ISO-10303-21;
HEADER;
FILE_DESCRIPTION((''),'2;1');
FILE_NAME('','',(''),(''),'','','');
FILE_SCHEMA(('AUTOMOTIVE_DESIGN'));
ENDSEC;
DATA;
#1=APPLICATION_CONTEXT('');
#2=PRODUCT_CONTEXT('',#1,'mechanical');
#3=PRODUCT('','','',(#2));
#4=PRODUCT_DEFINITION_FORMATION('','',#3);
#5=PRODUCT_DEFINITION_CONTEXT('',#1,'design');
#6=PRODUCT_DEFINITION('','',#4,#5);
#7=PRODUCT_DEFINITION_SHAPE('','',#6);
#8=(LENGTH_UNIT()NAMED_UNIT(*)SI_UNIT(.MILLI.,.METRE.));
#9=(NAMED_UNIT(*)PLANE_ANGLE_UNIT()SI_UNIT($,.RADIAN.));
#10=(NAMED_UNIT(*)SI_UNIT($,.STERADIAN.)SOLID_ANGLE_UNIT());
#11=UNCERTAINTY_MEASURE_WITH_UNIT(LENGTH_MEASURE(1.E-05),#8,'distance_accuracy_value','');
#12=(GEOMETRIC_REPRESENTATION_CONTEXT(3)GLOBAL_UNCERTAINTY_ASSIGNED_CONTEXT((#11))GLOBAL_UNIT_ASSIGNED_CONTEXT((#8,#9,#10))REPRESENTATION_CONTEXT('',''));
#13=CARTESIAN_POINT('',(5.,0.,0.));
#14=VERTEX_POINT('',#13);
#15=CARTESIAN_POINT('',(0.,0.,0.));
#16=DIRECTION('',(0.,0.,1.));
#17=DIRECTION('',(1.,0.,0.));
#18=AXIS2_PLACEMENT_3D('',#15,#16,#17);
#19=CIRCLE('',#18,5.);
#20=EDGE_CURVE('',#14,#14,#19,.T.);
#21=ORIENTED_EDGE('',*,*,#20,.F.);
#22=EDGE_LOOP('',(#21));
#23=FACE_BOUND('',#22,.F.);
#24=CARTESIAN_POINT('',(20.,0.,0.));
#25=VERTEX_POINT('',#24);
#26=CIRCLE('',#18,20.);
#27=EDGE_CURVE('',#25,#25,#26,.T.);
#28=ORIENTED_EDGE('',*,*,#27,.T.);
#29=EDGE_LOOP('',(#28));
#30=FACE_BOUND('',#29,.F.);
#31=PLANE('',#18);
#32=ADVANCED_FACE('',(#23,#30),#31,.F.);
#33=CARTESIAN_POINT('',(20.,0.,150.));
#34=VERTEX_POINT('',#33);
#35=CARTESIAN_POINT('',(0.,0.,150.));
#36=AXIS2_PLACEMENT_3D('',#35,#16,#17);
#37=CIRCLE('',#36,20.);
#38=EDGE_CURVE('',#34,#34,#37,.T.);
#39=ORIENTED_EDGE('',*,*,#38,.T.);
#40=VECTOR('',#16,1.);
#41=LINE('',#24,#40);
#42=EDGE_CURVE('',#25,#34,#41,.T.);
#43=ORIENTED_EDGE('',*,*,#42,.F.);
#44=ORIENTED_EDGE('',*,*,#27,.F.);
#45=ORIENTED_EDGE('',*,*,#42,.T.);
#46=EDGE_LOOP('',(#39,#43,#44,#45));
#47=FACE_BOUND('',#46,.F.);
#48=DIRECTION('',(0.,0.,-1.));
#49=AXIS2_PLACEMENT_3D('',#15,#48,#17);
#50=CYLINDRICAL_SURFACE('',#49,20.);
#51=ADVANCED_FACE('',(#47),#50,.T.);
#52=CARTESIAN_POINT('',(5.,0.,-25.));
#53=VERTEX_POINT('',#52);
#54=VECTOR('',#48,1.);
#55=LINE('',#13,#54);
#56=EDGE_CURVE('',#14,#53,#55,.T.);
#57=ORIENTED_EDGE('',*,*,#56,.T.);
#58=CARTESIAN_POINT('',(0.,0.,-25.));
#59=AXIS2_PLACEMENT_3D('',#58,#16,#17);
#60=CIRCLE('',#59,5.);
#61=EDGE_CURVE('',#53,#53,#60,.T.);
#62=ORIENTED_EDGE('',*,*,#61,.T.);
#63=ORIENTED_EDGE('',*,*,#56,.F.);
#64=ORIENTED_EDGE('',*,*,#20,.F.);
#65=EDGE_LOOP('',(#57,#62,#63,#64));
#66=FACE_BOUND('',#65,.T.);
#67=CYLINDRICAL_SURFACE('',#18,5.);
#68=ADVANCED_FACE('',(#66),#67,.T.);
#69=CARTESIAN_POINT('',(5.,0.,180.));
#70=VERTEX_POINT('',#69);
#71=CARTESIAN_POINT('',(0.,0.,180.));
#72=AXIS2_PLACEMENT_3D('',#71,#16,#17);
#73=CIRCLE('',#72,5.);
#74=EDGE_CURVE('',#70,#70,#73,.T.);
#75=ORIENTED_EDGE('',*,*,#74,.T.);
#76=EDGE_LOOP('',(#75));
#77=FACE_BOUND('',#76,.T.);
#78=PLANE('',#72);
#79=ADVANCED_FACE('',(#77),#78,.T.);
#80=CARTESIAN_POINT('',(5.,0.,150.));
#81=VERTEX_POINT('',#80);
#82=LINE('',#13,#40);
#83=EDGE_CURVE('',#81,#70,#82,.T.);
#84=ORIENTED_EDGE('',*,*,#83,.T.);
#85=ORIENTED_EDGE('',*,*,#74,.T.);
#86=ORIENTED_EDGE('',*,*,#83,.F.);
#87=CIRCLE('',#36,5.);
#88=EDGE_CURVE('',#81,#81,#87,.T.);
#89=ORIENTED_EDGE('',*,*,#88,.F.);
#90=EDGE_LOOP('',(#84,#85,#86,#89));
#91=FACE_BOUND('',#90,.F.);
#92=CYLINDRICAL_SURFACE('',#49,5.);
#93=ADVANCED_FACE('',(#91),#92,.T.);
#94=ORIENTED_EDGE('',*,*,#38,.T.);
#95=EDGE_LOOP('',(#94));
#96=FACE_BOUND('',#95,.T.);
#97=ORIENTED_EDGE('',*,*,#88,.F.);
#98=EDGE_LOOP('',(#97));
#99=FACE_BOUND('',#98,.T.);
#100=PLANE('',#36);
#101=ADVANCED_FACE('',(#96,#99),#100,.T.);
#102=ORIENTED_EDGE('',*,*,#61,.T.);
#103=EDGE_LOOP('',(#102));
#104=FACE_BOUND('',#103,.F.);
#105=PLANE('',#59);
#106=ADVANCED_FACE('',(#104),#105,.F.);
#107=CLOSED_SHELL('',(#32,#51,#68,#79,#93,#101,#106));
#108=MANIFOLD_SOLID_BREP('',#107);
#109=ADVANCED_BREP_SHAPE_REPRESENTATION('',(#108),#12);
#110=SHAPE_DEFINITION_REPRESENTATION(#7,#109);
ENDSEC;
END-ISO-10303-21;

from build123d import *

# Parameters (mm, degrees)
F0_R          = 20
F0_R_2        = 5
F1_DEPTH      = 150
F2_DEPTH      = 180
F2_DEPTH_BACK = 25


with BuildPart() as f1:
    # F0 (on Top) → F1 (new body)
    with BuildSketch(Plane.XY):
        Circle(F0_R)
        Circle(F0_R_2, mode=Mode.SUBTRACT)
    extrude(amount=F1_DEPTH)

    # F0 (on Top) → F2 (join, two sides)
    with BuildSketch(Plane.XY) as f2_sk:
        Circle(F0_R_2)
    extrude(amount=F2_DEPTH)
    extrude(f2_sk.sketch, amount=-F2_DEPTH_BACK)


solid = f1.part
